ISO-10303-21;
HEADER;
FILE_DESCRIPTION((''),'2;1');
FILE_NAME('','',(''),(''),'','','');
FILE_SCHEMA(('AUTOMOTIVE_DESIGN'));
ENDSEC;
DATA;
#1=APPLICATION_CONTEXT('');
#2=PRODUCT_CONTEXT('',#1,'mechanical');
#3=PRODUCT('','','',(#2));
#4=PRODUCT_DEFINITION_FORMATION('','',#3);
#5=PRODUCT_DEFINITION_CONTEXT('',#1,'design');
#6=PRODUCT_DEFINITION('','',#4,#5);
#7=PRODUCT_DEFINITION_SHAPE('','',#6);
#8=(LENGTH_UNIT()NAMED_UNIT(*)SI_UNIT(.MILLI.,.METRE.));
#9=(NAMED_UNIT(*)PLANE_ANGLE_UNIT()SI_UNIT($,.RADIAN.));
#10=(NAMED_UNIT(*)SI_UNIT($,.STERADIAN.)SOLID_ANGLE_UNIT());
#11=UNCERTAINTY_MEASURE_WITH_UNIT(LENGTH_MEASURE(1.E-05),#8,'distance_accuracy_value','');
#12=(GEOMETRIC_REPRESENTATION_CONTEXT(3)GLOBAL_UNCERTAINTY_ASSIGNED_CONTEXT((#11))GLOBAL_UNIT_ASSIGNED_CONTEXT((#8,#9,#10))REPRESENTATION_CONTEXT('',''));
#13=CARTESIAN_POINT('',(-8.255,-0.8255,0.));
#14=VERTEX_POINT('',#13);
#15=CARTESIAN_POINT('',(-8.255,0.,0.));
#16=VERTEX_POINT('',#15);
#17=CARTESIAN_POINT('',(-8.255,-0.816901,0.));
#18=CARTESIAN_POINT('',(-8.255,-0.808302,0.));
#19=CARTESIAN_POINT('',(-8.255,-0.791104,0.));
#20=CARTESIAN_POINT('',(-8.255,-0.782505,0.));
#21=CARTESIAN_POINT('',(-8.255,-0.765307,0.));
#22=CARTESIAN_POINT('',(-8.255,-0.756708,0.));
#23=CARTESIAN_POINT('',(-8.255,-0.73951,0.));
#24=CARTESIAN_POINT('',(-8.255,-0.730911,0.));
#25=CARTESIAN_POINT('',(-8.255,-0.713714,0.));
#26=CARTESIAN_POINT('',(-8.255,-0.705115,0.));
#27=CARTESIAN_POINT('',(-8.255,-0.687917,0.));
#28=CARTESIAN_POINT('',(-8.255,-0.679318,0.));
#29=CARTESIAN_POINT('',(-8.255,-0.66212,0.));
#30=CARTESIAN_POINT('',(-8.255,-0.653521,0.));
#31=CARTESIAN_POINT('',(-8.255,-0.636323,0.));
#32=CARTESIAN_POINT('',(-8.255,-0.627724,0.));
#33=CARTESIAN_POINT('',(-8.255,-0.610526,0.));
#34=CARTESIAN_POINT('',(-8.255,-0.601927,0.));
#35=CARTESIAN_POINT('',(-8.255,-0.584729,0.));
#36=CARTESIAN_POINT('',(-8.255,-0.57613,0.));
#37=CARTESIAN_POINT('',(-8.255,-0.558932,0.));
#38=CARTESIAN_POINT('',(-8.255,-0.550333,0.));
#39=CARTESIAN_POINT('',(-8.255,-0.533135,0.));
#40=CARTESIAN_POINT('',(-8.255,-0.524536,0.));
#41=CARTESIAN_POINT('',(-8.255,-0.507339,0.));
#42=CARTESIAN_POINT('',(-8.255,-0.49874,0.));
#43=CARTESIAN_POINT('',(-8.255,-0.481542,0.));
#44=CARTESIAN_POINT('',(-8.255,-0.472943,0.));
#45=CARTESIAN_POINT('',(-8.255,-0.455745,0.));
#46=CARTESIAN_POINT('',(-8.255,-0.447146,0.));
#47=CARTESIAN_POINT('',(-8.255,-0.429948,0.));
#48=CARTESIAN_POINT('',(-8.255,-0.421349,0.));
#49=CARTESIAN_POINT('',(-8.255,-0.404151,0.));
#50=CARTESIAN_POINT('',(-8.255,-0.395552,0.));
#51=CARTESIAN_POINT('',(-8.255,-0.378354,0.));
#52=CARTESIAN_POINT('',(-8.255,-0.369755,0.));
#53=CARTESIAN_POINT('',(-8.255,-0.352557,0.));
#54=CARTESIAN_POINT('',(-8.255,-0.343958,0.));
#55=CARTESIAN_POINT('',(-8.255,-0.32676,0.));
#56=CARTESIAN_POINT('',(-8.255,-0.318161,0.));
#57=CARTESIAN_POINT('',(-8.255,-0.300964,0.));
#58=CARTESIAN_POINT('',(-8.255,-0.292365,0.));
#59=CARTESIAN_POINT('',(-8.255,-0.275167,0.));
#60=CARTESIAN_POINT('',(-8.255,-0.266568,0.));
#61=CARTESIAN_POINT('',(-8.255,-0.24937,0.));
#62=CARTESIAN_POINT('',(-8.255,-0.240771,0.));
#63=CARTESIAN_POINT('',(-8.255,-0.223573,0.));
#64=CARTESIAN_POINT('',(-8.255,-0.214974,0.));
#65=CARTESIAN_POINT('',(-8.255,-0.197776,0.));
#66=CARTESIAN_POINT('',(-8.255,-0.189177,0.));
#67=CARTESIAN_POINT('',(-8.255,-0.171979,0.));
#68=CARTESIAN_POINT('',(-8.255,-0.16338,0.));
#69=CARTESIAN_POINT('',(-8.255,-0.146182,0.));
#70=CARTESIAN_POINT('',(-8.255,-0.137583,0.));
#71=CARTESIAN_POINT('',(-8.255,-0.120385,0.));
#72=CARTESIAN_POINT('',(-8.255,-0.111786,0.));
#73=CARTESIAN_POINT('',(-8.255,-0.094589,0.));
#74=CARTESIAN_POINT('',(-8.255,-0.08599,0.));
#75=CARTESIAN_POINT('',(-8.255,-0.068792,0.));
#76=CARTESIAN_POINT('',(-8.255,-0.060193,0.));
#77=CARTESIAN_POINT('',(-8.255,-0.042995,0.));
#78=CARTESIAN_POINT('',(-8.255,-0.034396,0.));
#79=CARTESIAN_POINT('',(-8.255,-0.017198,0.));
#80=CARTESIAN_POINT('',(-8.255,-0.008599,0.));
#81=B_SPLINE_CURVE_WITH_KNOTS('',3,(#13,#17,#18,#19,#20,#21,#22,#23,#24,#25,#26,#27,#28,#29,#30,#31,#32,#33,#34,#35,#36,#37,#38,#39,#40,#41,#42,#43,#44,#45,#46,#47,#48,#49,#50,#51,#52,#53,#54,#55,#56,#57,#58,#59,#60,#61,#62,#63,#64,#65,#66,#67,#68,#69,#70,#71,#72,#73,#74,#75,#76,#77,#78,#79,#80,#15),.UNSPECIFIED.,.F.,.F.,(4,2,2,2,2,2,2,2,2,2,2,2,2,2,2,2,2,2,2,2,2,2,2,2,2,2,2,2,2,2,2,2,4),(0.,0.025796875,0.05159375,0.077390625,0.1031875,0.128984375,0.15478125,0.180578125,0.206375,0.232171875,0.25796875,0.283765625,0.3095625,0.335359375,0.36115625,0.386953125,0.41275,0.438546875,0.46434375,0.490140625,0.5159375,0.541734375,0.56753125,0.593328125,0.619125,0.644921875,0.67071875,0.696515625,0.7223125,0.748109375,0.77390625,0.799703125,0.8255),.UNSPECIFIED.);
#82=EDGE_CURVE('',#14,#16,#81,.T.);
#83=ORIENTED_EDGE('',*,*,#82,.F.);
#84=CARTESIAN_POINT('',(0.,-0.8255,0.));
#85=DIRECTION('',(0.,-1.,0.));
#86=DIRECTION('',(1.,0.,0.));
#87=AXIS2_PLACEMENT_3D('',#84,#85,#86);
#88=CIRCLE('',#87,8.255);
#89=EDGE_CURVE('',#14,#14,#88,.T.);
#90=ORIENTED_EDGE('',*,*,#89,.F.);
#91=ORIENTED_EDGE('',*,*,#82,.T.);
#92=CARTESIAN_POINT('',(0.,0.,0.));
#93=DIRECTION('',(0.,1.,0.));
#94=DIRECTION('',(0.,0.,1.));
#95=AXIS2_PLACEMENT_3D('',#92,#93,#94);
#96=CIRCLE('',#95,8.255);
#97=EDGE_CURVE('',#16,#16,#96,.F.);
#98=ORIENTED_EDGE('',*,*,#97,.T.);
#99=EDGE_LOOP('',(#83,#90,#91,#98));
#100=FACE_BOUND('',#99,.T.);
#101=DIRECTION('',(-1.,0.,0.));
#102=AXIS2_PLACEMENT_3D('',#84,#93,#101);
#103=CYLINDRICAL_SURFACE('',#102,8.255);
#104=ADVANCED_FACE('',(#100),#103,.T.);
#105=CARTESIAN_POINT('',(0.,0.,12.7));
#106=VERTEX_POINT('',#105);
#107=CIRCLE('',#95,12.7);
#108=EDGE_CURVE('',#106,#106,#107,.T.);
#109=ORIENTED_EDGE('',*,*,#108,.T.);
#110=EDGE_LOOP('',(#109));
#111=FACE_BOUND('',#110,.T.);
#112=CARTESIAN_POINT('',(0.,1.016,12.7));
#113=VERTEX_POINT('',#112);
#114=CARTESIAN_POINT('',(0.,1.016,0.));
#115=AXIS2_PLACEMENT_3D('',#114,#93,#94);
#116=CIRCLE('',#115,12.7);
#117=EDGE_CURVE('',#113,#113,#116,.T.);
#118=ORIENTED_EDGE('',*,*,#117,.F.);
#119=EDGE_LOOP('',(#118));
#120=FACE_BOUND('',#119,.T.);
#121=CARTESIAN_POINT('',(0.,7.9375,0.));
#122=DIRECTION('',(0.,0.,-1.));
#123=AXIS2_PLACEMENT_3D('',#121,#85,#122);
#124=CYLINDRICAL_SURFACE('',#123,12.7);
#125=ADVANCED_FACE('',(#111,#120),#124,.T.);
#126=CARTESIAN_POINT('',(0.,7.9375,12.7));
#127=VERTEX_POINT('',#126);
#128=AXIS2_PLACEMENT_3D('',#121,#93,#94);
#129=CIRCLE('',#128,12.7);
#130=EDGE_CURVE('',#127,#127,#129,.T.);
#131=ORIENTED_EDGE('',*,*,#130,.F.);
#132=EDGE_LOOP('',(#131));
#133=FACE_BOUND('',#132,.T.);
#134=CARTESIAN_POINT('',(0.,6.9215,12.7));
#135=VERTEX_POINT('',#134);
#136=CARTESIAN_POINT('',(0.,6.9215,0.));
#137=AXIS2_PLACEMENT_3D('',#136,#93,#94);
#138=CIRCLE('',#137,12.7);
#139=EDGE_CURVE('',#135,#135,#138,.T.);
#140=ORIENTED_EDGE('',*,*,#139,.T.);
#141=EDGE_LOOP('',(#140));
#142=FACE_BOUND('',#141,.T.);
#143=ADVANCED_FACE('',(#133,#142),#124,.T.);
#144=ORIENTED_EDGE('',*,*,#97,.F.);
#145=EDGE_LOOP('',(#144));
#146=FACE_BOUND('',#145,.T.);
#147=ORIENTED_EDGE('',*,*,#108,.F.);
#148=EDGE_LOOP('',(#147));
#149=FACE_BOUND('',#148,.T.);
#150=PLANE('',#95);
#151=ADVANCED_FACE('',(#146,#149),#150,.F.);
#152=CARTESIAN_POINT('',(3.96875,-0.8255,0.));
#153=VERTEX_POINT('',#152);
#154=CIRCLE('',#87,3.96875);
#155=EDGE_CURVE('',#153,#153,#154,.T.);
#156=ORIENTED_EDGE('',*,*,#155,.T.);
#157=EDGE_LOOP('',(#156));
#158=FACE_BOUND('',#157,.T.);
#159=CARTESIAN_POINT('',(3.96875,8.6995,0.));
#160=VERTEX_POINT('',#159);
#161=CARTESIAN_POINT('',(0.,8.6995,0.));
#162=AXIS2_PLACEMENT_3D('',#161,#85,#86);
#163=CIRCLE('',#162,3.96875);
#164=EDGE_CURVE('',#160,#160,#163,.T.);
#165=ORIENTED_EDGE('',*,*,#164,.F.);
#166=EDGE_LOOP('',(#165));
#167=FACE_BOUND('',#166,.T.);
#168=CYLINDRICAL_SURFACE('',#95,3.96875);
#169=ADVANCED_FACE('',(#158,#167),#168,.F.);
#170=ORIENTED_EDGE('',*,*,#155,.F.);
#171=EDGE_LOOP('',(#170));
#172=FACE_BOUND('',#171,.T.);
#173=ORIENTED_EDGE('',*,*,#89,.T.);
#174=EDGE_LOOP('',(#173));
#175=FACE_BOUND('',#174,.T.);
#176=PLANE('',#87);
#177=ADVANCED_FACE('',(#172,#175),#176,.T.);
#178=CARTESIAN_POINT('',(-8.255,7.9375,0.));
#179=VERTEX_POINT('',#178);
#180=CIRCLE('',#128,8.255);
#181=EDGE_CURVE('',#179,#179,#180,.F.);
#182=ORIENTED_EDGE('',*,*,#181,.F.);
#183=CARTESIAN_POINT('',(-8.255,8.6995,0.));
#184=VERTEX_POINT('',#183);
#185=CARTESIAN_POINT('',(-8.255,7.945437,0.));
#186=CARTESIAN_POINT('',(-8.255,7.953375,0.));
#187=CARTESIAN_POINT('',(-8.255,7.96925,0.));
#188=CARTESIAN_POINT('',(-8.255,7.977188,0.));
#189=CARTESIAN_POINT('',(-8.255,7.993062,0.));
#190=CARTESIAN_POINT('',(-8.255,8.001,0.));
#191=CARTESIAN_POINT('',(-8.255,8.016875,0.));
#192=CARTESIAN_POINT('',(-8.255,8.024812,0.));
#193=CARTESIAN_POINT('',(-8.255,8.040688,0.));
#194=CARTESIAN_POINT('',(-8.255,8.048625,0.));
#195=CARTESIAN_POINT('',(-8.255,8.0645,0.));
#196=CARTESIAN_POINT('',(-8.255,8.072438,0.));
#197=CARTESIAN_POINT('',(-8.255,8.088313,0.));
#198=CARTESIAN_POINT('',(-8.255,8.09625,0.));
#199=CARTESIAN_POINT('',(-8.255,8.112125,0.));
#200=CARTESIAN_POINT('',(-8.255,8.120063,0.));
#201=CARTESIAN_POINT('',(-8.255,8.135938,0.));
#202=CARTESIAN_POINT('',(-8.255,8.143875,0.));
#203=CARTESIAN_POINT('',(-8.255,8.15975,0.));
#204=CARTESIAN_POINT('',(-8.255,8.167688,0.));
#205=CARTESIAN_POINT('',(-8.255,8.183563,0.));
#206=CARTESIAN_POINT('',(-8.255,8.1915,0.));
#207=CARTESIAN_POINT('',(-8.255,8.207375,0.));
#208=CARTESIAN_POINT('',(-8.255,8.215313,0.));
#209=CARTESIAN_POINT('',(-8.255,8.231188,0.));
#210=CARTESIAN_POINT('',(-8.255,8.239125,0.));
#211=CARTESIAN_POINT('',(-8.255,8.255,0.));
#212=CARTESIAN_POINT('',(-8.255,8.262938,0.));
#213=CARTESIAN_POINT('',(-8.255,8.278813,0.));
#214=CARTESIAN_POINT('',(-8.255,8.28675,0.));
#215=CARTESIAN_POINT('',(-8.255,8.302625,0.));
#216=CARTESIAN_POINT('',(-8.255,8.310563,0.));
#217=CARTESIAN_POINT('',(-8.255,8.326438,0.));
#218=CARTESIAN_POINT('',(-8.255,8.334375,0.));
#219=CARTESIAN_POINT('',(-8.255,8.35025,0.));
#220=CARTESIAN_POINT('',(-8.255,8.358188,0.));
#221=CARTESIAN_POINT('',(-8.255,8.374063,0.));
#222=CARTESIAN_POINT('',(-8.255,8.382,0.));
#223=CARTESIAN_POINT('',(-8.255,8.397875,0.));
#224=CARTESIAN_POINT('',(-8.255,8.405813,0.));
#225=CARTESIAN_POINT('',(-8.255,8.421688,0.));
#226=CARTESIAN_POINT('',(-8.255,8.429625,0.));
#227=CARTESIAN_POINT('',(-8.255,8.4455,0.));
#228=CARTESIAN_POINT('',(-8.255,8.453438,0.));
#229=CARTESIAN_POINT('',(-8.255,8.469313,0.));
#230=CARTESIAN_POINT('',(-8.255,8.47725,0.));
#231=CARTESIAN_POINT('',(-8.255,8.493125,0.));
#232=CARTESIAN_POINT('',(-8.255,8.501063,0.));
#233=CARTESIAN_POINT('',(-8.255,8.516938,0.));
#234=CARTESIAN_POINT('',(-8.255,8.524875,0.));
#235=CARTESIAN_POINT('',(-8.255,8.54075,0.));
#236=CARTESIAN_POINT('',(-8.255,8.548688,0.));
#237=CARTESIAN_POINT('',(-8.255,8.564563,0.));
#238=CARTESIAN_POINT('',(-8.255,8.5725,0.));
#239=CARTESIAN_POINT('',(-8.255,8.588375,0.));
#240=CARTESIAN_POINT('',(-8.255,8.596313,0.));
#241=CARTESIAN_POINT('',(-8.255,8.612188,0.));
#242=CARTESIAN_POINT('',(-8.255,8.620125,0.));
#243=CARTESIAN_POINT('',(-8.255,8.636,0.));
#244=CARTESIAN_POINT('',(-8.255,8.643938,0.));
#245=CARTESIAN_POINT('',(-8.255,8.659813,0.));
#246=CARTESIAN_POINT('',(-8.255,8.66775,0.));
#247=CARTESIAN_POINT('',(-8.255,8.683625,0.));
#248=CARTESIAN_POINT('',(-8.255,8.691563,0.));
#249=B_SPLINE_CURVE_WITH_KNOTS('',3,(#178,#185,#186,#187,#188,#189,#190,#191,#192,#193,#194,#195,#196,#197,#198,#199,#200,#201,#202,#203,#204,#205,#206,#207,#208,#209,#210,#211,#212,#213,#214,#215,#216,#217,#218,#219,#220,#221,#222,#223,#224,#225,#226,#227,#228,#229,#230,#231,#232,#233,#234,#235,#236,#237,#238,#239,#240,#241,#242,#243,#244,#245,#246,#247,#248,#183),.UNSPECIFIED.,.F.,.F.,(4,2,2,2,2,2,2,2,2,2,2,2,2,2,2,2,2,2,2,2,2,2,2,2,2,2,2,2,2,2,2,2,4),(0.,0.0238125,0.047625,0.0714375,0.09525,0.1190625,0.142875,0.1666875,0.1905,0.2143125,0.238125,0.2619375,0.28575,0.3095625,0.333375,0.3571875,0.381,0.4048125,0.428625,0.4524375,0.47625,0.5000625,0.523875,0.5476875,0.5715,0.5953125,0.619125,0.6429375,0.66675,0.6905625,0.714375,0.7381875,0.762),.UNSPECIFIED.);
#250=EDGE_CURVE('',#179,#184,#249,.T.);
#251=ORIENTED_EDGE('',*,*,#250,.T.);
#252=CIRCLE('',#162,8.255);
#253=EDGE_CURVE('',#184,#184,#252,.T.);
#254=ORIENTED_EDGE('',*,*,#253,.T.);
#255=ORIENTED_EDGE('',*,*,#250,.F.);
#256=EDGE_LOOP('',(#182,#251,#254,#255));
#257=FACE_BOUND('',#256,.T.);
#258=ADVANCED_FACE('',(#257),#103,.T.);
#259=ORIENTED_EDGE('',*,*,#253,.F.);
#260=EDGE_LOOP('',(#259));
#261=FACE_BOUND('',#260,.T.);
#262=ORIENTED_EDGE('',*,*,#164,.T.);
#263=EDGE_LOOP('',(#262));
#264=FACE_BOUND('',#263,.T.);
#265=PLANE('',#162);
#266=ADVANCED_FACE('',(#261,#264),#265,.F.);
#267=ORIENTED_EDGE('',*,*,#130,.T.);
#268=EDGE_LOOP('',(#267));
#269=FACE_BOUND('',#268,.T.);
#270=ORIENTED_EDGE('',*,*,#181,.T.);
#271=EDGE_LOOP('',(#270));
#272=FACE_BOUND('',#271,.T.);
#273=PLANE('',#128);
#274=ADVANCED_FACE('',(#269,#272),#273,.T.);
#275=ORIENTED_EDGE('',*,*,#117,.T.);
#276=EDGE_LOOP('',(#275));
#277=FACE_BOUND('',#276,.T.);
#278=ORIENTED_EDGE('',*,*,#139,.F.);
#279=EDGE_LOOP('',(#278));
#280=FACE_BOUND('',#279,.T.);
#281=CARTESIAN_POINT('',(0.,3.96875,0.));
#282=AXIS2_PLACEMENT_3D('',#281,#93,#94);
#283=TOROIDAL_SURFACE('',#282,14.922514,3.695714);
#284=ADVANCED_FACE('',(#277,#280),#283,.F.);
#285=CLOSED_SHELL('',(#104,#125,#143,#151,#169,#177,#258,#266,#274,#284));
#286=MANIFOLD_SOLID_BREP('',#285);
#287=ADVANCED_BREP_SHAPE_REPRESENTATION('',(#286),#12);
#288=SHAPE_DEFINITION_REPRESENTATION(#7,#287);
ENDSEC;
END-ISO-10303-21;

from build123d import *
from build123d.topology import SkipClean

# Parameters (mm, degrees)
SKETCH1_R           = 12.7
BOSS_EXTRUDE1_DEPTH = 7.9375
SKETCH2_R           = 3.96875
CUT_EXTRUDE1_DEPTH  = 20.636290542
SKETCH5_R           = 8.255
SKETCH5_R_2         = 3.96875
BOSS_EXTRUDE2_DEPTH = 4.7625


with BuildPart() as part:
    # Sketch1 → Boss-Extrude1 (new body)
    with BuildSketch(Plane(origin=(0, 0, 0), x_dir=(1, 0, 0), z_dir=(0, 1, 0))):
        with Locations(Location((0, 0, 0), (0, 0, 270))):
            Circle(SKETCH1_R)
    extrude(amount=BOSS_EXTRUDE1_DEPTH)

    # Sketch2 → Cut-Extrude1 (cut, through all)
    with BuildSketch(Plane(origin=(0, 7.9375, 0), x_dir=(1, 0, 0), z_dir=(0, 1, 0))):
        with Locations(Location((0, 0, 0), (0, 0, 270))):
            Circle(SKETCH2_R)
    extrude(amount=-CUT_EXTRUDE1_DEPTH, mode=Mode.SUBTRACT)

    # Sketch4 → Cut-Revolve1 (revolve, cut)
    with BuildSketch(Plane(origin=(0, 0, 0), x_dir=(0, 0, -1), z_dir=(1, 0, 0))):
        with BuildLine():
            Line((-12.7, 6.9215), (-12.7, 1.016))
            ThreePointArc((-12.7, 1.016), (-11.2268, 3.96875), (-12.7, 6.9215))
        make_face()
    revolve(axis=Axis((0, 8.334375, 0), (0, -1, 0)), mode=Mode.SUBTRACT)

    # Sketch5 → Boss-Extrude2 (add, symmetric)
    with SkipClean():  # the faces are left unmerged after this step: merging them gives an invalid solid
        with BuildSketch(Plane(origin=(0, 3.937, 0), x_dir=(-1, 0, 0), z_dir=(0, -1, 0))):
            Circle(SKETCH5_R)
            with Locations(Location((0, 0, 0), (0, 0, 180))):
                Circle(SKETCH5_R_2, mode=Mode.SUBTRACT)
        extrude(amount=BOSS_EXTRUDE2_DEPTH, both=True)


solid = part.part
